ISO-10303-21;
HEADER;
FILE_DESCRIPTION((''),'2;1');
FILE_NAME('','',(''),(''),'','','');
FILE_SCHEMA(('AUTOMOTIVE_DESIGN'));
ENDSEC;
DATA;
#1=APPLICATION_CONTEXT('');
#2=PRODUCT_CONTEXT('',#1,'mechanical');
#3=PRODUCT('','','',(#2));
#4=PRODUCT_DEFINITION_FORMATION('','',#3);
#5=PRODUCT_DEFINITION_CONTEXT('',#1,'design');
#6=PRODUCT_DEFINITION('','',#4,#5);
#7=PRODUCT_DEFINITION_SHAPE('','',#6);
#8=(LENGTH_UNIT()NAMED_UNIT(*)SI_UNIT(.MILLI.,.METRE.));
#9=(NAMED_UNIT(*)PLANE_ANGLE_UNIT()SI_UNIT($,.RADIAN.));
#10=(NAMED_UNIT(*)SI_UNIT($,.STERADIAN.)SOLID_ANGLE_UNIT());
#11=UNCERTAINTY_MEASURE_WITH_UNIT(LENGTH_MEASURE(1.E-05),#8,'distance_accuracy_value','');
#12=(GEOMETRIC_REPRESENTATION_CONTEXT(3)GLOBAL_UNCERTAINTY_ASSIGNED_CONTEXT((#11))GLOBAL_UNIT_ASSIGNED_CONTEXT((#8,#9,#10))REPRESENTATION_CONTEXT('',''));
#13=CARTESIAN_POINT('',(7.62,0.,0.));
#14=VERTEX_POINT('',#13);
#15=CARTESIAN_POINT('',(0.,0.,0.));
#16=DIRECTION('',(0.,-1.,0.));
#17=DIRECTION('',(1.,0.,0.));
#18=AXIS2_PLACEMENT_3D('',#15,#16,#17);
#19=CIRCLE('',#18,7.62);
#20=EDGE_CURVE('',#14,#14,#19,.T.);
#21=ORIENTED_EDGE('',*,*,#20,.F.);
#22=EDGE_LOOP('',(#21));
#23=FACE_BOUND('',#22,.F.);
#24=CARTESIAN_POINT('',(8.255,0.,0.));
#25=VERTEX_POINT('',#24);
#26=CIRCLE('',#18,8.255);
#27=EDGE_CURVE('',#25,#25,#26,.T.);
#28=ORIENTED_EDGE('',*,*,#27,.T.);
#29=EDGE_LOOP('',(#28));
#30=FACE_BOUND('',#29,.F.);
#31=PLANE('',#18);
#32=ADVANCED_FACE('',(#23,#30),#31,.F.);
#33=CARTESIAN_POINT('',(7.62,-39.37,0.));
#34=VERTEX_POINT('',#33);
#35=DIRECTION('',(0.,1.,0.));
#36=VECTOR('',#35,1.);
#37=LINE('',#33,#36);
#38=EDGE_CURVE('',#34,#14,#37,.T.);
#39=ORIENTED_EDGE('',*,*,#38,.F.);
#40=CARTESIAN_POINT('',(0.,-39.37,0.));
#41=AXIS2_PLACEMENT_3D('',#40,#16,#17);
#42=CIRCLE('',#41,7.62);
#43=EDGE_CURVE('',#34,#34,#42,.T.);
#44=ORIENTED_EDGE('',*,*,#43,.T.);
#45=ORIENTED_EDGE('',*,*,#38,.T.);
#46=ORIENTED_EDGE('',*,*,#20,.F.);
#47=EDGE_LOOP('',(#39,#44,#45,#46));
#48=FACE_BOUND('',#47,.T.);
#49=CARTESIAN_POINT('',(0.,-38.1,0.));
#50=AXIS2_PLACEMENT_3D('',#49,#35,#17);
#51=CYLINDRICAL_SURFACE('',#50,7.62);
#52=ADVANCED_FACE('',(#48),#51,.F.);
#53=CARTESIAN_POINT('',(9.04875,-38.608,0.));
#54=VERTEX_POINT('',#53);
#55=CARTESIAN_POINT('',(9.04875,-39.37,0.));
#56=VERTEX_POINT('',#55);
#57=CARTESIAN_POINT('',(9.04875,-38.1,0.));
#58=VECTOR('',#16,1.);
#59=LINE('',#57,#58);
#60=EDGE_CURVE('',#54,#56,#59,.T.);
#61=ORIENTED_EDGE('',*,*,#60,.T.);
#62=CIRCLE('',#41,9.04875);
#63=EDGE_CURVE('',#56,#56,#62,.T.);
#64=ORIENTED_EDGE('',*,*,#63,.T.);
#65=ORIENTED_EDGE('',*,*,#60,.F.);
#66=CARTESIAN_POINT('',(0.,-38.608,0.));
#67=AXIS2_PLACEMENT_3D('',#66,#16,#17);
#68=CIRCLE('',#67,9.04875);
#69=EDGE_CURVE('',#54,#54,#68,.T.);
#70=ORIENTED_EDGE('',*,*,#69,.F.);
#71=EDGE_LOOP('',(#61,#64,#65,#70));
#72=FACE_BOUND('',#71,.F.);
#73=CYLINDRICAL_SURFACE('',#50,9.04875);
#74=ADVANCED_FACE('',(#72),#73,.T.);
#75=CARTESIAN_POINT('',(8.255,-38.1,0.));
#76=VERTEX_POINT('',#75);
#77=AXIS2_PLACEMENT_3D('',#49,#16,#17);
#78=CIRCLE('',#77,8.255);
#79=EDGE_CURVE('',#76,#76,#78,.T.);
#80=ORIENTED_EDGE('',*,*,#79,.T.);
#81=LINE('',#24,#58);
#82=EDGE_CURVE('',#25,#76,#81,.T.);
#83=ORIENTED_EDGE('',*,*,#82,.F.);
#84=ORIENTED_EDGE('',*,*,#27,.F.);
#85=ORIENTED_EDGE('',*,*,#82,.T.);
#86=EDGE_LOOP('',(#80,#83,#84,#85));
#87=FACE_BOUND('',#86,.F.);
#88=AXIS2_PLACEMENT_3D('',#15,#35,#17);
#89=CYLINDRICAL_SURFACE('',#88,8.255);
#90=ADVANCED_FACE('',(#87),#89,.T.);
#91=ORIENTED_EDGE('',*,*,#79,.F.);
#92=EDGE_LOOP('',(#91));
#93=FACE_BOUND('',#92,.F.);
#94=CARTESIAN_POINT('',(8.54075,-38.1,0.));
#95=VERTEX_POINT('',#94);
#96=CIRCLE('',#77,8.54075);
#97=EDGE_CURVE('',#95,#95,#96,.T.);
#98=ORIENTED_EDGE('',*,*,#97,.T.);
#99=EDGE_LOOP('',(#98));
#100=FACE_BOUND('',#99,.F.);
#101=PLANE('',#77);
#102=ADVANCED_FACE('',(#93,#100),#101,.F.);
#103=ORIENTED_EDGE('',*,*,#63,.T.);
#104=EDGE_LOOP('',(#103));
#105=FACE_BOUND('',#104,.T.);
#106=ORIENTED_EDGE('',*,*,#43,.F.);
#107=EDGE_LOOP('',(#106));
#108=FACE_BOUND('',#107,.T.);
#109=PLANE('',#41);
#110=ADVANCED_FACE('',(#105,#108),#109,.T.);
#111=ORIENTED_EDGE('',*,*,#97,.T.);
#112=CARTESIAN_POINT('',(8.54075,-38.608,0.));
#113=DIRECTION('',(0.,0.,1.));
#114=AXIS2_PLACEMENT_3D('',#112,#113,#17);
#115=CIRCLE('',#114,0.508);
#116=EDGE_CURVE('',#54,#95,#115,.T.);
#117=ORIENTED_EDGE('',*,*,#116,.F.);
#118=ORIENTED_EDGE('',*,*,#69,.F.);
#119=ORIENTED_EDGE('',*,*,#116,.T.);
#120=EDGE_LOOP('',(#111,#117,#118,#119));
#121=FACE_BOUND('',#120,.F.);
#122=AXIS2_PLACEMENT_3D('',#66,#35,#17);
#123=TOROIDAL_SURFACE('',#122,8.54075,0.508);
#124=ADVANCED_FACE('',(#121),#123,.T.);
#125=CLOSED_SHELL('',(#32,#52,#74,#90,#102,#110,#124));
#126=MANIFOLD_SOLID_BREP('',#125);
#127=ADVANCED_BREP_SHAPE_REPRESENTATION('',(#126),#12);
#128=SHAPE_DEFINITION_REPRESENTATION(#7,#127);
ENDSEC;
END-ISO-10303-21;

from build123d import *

# Parameters (mm, degrees)
F0_R     = 8.255
F0_R_2   = 7.62
F1_DEPTH = 38.1
F2_R     = 9.04875
F2_R_2   = 8.255
F2_R_3   = 7.62
F3_DEPTH = 1.27
F4_R     = 0.508


with BuildPart() as f1:
    # F0 (on Front) → F1 (new body)
    with BuildSketch(Plane.XZ):
        Circle(F0_R)
        Circle(F0_R_2, mode=Mode.SUBTRACT)
    extrude(amount=F1_DEPTH)

    # F2 (on face) → F3 (join)
    with BuildSketch(Plane.XZ.offset(38.1)):
        Circle(F2_R)
        Circle(F2_R_2, mode=Mode.SUBTRACT)
        Circle(F2_R_2)
        Circle(F2_R_3, mode=Mode.SUBTRACT)
    extrude(amount=F3_DEPTH)

    # F4
    f4_edges = [f1.edges().sort_by_distance(p)[0] for p in [
        (-9.04875, -38.1, 0),
    ]]
    fillet(f4_edges, radius=F4_R)


solid = f1.part
